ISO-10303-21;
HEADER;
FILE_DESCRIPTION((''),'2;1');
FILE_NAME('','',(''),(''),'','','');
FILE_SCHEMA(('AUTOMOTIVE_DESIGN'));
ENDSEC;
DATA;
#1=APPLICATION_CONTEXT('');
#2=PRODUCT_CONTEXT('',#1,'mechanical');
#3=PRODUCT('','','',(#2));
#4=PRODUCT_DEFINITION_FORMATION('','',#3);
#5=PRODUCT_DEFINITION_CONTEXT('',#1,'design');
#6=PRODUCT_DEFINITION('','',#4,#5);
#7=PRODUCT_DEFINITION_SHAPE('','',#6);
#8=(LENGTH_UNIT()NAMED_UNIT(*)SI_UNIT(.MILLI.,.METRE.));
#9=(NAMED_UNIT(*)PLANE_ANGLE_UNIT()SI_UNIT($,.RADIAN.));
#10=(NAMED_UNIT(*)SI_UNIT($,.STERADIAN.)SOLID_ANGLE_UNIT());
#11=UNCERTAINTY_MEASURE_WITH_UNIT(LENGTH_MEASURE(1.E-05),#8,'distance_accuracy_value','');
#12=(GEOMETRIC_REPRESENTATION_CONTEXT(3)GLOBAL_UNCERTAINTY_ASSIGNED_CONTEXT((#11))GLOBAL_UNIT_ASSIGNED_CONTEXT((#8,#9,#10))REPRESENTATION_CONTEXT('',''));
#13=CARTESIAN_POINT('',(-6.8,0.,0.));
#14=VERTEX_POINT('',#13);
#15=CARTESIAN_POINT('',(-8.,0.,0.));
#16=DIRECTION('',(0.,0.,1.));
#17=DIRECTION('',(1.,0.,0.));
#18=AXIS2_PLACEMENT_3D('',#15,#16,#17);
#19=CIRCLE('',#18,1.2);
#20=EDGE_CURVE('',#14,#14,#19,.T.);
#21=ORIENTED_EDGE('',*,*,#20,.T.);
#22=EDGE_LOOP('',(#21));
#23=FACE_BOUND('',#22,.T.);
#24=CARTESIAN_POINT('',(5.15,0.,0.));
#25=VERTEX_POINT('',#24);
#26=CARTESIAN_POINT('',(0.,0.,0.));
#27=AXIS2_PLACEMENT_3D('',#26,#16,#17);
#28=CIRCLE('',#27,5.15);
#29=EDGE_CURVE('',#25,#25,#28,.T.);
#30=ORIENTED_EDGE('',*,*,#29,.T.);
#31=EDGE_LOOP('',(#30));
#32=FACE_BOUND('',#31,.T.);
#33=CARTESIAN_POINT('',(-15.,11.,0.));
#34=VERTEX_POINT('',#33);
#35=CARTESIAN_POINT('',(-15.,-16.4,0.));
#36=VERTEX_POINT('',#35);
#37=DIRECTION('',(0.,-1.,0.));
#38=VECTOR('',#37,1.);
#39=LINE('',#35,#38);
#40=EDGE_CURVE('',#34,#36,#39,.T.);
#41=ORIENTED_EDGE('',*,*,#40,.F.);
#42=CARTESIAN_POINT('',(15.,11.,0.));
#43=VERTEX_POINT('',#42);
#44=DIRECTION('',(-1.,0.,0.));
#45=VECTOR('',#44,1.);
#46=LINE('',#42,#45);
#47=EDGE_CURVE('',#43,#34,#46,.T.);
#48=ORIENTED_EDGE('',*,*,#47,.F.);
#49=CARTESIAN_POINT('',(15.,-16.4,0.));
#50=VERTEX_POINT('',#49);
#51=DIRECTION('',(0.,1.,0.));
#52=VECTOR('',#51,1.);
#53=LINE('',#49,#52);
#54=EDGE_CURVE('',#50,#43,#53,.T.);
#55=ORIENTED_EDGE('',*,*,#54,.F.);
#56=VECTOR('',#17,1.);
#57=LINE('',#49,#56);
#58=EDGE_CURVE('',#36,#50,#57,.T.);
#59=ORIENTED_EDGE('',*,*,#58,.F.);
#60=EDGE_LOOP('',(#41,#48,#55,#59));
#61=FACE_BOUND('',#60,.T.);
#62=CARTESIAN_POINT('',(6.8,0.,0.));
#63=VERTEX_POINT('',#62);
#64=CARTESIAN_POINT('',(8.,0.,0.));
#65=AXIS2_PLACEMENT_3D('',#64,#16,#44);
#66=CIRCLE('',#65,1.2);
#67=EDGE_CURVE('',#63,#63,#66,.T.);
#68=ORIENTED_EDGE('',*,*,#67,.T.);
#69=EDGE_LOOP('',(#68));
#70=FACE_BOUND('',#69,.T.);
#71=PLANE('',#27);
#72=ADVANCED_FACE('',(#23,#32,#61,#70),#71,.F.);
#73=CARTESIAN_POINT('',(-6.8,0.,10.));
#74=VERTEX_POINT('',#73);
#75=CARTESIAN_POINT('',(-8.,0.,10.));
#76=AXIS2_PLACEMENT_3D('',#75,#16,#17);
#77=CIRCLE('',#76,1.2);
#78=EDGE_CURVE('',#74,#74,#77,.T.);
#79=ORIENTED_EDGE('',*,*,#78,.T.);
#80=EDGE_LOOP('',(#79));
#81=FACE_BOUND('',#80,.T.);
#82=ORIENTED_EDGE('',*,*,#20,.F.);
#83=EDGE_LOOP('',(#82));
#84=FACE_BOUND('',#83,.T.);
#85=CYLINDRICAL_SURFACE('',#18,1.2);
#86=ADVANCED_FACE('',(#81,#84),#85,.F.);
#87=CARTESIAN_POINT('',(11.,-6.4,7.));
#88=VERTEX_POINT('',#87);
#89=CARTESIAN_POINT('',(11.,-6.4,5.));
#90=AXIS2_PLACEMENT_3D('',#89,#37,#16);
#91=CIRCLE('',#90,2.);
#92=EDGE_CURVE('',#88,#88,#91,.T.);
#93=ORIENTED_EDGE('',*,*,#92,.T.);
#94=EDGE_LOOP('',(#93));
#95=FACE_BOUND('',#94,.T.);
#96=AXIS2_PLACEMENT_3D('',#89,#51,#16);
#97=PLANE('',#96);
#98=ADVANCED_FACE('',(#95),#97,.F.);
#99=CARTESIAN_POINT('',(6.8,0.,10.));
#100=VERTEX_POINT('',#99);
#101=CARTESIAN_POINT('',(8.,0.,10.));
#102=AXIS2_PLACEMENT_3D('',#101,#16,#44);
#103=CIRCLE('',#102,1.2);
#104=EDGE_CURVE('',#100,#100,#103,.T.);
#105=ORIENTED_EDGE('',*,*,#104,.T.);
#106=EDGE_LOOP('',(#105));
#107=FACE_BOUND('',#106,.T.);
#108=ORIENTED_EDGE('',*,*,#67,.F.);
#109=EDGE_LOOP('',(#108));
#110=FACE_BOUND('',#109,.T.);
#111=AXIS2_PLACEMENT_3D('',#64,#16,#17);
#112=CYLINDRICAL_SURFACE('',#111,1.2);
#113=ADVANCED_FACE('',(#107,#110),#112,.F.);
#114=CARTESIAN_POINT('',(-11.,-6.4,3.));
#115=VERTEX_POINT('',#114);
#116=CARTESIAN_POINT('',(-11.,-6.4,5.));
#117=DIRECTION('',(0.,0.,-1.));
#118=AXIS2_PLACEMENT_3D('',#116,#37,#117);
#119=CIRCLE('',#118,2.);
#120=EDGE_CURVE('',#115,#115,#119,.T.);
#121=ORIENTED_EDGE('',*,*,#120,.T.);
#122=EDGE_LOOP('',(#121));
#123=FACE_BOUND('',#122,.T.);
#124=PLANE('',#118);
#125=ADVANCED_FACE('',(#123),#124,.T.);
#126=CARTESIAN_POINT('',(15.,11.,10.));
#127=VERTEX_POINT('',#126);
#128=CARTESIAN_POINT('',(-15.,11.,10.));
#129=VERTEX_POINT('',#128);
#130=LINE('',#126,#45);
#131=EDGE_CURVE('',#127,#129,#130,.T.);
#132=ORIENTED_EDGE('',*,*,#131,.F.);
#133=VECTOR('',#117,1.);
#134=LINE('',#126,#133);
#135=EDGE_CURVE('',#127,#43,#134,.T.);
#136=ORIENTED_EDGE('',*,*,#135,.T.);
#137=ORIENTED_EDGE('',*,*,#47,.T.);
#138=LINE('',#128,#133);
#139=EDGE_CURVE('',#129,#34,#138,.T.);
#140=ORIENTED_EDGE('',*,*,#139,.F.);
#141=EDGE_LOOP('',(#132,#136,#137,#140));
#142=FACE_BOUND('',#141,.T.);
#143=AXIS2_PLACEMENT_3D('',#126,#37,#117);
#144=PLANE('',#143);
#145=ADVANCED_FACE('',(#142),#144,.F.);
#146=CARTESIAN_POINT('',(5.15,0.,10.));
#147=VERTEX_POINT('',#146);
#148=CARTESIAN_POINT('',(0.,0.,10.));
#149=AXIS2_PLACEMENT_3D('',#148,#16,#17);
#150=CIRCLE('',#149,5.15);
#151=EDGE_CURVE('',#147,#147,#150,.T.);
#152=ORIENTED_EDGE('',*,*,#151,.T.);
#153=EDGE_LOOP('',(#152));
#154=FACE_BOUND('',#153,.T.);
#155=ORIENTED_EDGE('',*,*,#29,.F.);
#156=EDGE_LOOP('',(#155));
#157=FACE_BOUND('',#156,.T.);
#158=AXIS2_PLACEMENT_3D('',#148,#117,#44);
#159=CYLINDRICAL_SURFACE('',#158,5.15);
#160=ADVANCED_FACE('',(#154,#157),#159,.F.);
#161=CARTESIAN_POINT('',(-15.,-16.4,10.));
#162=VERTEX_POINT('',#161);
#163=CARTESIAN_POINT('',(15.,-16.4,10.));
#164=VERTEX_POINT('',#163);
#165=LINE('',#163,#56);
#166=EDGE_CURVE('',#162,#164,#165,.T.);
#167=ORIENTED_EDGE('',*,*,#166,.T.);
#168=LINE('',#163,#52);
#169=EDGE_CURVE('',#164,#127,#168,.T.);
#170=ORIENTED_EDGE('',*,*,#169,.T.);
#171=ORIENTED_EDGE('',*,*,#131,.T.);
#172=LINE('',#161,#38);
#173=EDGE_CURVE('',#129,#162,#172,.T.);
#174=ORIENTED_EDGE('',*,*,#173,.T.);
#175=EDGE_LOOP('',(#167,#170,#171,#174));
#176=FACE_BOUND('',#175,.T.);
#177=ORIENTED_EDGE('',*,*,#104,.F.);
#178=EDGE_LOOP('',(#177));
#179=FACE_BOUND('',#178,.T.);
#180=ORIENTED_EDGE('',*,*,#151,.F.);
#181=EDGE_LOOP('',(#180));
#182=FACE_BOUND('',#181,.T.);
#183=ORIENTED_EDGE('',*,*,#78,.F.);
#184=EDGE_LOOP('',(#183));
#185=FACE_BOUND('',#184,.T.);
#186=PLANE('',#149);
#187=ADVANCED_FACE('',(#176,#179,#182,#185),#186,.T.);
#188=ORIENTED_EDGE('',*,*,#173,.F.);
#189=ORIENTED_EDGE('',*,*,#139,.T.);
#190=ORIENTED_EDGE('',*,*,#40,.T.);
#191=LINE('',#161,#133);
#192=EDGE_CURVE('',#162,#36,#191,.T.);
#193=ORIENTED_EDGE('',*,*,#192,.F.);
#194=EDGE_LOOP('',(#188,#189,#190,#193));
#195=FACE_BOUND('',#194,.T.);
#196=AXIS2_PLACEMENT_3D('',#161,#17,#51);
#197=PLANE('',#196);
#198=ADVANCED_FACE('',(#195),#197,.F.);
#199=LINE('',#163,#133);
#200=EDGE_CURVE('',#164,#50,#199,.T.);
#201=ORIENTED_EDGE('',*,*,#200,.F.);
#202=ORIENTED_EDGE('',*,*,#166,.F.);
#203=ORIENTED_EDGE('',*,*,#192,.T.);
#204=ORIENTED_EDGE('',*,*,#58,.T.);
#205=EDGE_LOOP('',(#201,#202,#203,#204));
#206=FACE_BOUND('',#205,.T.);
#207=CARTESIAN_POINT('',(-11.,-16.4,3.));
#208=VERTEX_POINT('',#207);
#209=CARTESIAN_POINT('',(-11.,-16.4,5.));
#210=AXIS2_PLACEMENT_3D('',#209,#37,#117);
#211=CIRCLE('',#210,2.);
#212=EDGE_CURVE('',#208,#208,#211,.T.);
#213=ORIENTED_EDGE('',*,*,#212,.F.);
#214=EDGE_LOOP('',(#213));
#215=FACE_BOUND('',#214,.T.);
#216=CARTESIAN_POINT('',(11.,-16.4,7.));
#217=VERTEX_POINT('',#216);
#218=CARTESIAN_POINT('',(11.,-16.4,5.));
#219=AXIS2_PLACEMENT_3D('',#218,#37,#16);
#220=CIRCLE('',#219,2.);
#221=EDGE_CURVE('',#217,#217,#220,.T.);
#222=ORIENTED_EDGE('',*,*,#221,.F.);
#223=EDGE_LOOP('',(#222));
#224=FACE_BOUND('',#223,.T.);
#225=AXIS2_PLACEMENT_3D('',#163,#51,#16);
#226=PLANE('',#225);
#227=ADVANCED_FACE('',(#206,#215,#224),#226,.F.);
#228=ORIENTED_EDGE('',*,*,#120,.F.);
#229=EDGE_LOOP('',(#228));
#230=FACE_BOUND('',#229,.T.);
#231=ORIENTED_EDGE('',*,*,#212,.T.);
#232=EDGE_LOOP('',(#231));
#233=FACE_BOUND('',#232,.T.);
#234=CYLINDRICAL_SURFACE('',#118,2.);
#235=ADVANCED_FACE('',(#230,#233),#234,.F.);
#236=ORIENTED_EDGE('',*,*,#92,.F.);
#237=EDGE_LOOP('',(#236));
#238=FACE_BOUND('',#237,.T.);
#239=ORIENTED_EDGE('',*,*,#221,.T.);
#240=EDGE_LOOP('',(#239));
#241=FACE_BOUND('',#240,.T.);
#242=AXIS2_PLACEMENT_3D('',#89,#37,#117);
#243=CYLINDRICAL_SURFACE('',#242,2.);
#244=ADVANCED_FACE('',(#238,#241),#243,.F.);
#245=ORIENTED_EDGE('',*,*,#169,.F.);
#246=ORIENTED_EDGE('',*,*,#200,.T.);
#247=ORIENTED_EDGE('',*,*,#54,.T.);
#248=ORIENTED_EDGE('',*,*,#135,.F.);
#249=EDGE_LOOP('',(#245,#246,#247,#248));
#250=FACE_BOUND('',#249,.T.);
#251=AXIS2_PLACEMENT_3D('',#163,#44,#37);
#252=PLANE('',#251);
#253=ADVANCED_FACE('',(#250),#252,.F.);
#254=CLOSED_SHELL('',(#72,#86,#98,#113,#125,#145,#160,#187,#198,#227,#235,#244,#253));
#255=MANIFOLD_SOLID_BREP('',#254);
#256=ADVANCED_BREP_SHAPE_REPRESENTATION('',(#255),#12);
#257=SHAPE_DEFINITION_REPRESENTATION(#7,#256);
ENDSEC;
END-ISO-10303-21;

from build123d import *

# Parameters (mm, degrees)
SKETCH1_W           = 30
SKETCH1_H           = 27.4
SKETCH1_R           = 5.15
BOSS_EXTRUDE1_DEPTH = 10
SKETCH2_R           = 2
CUT_EXTRUDE1_DEPTH  = 10
SKETCH7_R           = 1.2
CUT_EXTRUDE2_DEPTH  = 11


with BuildPart() as part:
    # Sketch1 → Boss-Extrude1 (new body)
    with BuildSketch(Plane.XY):
        with Locations((0, -2.7)):
            Rectangle(SKETCH1_W, SKETCH1_H)
        Circle(SKETCH1_R, mode=Mode.SUBTRACT)
    extrude(amount=BOSS_EXTRUDE1_DEPTH)

    # Sketch2 → Cut-Extrude1 (cut)
    with BuildSketch(Plane.XZ.offset(16.4)):
        with Locations((-11, 5)):
            Circle(SKETCH2_R)
        with Locations((11, 5)):
            Circle(SKETCH2_R)
    extrude(amount=-CUT_EXTRUDE1_DEPTH, mode=Mode.SUBTRACT)

    # Sketch7 → Cut-Extrude2 (cut, through all)
    with BuildSketch(Plane.XY.offset(10)):
        with Locations((-8, 0)):
            Circle(SKETCH7_R)
        with Locations((8, 0)):
            Circle(SKETCH7_R)
    extrude(amount=-CUT_EXTRUDE2_DEPTH, mode=Mode.SUBTRACT)


solid = part.part
